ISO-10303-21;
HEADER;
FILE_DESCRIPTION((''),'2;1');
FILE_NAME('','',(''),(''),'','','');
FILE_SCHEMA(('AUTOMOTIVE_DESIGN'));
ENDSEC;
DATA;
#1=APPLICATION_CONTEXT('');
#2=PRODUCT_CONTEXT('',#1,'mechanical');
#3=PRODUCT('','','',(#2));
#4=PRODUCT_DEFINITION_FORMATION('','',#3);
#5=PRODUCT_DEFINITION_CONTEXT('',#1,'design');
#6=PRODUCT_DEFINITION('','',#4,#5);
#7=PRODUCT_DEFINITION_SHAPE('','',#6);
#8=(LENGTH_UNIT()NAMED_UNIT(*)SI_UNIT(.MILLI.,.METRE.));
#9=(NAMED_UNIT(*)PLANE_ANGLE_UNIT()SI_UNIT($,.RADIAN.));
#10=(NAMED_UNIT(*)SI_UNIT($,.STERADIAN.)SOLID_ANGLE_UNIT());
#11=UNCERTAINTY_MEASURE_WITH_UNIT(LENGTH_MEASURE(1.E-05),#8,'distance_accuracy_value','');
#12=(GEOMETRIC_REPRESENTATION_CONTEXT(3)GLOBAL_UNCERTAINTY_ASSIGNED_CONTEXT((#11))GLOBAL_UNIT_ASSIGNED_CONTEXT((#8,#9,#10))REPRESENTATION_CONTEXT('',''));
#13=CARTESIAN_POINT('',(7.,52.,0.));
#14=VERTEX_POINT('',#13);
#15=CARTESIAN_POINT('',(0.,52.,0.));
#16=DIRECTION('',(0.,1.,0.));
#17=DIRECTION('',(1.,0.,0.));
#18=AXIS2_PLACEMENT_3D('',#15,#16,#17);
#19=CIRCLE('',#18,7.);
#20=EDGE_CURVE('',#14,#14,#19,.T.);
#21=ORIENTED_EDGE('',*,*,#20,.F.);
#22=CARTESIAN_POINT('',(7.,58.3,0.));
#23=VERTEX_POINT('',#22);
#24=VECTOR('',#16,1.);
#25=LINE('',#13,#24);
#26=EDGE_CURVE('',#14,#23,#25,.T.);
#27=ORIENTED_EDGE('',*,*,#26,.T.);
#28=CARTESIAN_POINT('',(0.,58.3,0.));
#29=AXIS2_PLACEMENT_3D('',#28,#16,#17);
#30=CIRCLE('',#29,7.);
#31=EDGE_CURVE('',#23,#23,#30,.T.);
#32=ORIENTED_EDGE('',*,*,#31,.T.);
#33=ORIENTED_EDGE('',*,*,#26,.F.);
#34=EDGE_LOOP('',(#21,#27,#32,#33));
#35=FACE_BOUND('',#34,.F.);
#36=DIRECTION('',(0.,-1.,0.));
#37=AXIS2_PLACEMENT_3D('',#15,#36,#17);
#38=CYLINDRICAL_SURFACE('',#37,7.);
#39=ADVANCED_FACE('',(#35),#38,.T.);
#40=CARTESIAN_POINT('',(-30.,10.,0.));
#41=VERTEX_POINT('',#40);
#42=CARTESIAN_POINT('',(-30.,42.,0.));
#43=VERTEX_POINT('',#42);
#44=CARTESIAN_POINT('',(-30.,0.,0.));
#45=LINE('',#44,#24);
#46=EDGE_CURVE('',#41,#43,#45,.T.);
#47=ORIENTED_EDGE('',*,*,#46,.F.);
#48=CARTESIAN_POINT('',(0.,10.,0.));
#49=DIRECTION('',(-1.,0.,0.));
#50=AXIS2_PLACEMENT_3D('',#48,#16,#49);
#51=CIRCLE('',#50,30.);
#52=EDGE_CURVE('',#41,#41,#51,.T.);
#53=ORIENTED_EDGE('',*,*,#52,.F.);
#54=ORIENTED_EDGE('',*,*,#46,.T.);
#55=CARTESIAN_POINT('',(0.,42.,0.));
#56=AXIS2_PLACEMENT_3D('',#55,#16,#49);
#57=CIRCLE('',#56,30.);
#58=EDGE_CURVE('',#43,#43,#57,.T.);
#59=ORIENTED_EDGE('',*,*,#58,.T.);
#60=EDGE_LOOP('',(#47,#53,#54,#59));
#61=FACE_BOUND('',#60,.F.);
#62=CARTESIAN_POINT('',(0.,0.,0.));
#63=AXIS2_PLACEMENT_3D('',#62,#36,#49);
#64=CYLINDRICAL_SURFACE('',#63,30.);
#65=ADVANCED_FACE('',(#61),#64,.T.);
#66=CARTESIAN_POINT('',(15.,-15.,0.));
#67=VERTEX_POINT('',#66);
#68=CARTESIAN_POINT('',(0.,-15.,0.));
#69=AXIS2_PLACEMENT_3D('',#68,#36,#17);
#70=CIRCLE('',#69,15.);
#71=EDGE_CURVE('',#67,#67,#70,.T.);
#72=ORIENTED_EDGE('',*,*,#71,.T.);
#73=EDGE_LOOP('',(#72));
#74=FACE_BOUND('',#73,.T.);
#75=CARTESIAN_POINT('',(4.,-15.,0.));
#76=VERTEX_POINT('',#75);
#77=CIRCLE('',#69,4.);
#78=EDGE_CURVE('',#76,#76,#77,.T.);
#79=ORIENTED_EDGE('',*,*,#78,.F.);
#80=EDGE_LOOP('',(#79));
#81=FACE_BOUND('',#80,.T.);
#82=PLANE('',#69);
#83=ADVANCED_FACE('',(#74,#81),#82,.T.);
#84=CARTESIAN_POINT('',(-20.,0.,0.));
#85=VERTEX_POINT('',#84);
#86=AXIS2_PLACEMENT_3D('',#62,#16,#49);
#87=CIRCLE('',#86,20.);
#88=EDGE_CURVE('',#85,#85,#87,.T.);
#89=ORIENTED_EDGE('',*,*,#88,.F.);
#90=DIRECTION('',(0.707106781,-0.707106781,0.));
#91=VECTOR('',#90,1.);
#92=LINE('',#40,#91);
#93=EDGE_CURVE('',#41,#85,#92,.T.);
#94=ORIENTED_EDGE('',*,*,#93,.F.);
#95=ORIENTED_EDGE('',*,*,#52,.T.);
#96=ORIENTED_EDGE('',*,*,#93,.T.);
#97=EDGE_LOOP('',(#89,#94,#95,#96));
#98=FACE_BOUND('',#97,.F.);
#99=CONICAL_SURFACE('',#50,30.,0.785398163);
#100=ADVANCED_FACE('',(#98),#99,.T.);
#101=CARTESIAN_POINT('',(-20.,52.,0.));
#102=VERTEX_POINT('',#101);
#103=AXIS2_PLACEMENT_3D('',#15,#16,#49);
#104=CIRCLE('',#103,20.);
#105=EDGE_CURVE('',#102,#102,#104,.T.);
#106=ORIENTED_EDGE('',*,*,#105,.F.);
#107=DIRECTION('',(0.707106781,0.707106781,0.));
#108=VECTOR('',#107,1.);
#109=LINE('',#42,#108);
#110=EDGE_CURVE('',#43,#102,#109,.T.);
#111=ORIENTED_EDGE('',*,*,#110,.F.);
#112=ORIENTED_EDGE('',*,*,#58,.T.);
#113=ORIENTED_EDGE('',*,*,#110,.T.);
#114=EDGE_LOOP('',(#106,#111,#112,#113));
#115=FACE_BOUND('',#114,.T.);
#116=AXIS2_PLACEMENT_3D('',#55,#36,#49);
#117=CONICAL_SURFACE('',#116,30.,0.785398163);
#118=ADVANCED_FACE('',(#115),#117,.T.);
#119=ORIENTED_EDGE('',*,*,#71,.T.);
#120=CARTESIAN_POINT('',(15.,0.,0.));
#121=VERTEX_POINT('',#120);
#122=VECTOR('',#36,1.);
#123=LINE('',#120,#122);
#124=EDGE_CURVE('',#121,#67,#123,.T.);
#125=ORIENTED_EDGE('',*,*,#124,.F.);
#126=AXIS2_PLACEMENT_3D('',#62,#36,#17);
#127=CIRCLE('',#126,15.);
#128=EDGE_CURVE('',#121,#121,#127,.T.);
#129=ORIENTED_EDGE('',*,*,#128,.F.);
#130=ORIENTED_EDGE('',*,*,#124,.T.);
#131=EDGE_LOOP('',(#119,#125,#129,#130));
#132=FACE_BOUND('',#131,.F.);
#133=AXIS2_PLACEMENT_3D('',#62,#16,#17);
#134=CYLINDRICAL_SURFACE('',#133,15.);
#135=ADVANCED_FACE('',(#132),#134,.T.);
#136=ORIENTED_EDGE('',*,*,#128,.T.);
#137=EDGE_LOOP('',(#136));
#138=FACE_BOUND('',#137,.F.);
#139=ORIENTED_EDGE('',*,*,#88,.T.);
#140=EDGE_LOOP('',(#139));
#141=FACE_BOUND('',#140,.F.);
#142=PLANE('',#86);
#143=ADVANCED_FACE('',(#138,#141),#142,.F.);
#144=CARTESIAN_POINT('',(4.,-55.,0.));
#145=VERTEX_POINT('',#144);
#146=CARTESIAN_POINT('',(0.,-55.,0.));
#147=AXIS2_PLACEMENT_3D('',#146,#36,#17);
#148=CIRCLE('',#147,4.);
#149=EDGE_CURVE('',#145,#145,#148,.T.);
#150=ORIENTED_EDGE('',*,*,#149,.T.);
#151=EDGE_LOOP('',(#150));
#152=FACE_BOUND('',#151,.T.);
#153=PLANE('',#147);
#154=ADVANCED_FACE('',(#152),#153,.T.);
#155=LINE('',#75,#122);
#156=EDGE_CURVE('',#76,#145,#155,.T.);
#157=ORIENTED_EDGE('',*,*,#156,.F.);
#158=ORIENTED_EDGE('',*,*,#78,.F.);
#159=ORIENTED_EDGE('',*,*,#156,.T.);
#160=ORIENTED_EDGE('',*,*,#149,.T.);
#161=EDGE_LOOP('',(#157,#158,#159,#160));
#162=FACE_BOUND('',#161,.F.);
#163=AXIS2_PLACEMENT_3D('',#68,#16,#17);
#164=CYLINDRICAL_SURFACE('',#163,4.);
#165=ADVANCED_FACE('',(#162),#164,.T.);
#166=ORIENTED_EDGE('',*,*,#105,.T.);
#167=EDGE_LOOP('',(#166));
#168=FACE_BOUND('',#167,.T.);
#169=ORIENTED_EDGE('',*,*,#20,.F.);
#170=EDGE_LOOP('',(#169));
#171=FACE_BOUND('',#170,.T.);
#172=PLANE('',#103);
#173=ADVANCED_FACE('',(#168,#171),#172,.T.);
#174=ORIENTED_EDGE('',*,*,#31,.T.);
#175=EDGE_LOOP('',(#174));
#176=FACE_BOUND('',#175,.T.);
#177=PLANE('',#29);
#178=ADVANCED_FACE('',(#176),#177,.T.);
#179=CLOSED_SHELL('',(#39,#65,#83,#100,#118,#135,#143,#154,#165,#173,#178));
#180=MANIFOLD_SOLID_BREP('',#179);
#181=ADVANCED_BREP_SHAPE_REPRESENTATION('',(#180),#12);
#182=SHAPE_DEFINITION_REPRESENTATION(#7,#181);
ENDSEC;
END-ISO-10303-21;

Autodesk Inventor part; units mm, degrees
ref_plane "YZ Plane" through (0, 0, 0) normal (1, 0, 0) x (0, 1, 0)
ref_plane "XZ Plane" through (0, 0, 0) normal (0, 1, 0) x (-1, 0, 0)
ref_plane "XY Plane" through (0, 0, 0) normal (0, 0, 1) x (1, 0, 0)
sketch "Sketch1" plane through (0, 0, 0) normal (0, 1, 0) x (-1, 0, 0)
  circle A0 centre (0, 0) radius 30
  dimension "d0" = 60
extrude "Extrusion1" add sketch "Sketch1" along normal blind 52
sketch "Sketch2" plane through (0, 52, 0) normal (0, 1, 0) x (1, 0, 0)
  circle A0 centre (0, 0) radius 7
  dimension "d3" = 14
extrude "Extrusion2" add sketch "Sketch2" along normal blind 6.3
sketch "Sketch3" plane through (0, 0, 0) normal (0, -1, 0) x (1, 0, 0)
  circle A0 centre (0, 0) radius 15
  dimension "d6" = 30
extrude "Extrusion3" add sketch "Sketch3" along normal blind 15
sketch "Sketch4" plane through (0, -15, 0) normal (0, -1, 0) x (1, 0, 0)
  circle A0 centre (0, 0) radius 4
  dimension "d9" = 8
extrude "Extrusion4" add sketch "Sketch4" along normal blind 40
chamfer "Chamfer1" distance 10 angle 45 1 edges at (30, 0, 0)
chamfer "Chamfer2" distance 10 angle 45 1 edges at (30, 52, 0)
properties part number "KV200_T_Motor"
